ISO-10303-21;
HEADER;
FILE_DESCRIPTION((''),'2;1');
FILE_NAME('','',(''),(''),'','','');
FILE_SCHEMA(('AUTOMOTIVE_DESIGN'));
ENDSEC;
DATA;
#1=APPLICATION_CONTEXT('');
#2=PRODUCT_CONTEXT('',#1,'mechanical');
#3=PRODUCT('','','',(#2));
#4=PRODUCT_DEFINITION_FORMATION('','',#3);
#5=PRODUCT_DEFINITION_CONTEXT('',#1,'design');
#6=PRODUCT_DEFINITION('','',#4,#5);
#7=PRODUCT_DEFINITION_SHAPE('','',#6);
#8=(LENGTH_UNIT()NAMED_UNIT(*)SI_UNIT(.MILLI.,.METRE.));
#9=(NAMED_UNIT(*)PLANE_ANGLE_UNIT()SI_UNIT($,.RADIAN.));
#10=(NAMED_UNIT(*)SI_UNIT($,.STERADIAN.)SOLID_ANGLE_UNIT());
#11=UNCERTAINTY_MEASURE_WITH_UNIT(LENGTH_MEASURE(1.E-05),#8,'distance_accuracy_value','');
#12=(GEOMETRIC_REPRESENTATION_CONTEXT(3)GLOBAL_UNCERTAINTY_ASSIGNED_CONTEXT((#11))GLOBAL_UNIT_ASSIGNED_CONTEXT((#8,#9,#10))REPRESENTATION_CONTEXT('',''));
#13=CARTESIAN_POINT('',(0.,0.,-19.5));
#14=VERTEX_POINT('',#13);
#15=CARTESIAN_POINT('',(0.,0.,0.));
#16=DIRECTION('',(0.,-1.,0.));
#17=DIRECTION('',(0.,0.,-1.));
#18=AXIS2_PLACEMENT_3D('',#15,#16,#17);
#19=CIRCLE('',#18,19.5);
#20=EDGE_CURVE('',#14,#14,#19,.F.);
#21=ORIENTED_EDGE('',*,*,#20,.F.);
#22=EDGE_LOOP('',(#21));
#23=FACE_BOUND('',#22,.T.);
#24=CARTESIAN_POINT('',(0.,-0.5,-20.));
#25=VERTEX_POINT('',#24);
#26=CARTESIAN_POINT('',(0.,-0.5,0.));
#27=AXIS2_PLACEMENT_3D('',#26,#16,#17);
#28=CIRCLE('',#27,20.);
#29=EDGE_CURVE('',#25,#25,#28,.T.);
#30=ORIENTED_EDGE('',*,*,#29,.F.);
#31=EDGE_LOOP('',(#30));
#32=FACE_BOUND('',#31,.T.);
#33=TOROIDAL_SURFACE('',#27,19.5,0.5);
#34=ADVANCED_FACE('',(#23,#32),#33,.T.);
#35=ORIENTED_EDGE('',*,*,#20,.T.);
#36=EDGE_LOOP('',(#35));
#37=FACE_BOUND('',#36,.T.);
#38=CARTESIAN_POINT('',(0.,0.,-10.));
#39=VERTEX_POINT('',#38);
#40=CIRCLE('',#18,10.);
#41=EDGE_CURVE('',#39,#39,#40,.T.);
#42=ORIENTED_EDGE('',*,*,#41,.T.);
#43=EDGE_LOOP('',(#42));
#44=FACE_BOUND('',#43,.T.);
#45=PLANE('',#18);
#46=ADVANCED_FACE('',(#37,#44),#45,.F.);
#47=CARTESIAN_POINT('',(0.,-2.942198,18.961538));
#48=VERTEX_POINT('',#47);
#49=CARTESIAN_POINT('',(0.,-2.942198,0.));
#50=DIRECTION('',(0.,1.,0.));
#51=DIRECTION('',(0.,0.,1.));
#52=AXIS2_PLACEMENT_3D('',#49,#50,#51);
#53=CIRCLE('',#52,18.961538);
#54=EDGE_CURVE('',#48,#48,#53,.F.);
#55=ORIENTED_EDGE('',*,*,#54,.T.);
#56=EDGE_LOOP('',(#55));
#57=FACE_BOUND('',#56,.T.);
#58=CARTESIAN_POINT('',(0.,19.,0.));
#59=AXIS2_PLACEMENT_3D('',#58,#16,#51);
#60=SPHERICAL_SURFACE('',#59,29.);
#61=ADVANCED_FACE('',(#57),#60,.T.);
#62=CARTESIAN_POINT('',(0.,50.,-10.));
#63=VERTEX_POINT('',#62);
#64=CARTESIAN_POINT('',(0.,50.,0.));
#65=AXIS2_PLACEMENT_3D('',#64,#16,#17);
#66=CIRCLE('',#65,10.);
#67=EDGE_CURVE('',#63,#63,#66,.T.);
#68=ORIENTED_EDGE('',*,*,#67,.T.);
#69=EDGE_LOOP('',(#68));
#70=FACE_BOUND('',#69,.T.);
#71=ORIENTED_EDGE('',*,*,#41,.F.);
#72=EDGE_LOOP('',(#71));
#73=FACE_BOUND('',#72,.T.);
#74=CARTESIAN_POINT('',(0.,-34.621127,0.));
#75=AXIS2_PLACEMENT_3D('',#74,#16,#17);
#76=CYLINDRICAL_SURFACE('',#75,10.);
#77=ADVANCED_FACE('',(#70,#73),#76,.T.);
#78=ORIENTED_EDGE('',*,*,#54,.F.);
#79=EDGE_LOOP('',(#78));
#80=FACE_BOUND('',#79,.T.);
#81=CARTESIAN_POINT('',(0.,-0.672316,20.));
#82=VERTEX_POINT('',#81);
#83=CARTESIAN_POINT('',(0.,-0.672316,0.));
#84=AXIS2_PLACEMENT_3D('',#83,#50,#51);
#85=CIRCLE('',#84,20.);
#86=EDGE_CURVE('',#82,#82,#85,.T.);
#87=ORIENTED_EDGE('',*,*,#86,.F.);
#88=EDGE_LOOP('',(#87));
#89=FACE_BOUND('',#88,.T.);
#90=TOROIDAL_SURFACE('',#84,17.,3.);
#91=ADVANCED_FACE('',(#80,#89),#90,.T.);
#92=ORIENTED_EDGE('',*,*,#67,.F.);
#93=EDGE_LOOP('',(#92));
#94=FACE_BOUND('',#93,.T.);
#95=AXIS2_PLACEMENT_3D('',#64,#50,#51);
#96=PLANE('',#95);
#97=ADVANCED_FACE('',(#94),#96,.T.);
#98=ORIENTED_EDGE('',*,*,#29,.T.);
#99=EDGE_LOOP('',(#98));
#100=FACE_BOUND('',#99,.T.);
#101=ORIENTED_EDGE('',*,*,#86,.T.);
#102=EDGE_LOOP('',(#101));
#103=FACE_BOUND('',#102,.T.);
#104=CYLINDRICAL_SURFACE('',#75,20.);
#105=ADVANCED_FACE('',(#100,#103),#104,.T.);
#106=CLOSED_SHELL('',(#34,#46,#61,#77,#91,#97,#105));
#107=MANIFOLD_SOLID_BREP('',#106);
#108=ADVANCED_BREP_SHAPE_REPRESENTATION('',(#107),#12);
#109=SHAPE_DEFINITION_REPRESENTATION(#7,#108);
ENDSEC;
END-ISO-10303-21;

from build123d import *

# Parameters (mm, degrees)
SKETCH2_W = 50
SKETCH2_H = 10
FILLET1_R = 3
FILLET2_R = 0.5


with BuildPart() as part:
    # Sketch2 → Revolve1 (revolve)
    with BuildSketch(Plane.YZ, mode=Mode.PRIVATE) as revolve1_sk:
        with BuildLine():
            Line((-10, 0), (-2, 0))
            Line((-2, 0), (-2, 20))
            ThreePointArc((-2, 20), (-7.925824036, 10.770329614), (-10, 0))
        make_face()
        Polygon((-2, 20), (-2, 0), (0, 0), (0, 10), (0, 20), align=None)
        with Locations((25, 5)):
            Rectangle(SKETCH2_W, SKETCH2_H)
    revolve(revolve1_sk.sketch.rotate(Axis((0, -34.621126621, 0), (0, 1, 0)), 180), axis=Axis((0, -34.621126621, 0), (0, 1, 0)))

    # Fillet1
    fillet1_edges = [part.edges().sort_by_distance(p)[0] for p in [
        (0, -2, 20),
    ]]
    fillet(fillet1_edges, radius=FILLET1_R)

    # Fillet2
    fillet2_edges = [part.edges().sort_by_distance(p)[0] for p in [
        (0, 0, 20),
    ]]
    fillet(fillet2_edges, radius=FILLET2_R)


solid = part.part
